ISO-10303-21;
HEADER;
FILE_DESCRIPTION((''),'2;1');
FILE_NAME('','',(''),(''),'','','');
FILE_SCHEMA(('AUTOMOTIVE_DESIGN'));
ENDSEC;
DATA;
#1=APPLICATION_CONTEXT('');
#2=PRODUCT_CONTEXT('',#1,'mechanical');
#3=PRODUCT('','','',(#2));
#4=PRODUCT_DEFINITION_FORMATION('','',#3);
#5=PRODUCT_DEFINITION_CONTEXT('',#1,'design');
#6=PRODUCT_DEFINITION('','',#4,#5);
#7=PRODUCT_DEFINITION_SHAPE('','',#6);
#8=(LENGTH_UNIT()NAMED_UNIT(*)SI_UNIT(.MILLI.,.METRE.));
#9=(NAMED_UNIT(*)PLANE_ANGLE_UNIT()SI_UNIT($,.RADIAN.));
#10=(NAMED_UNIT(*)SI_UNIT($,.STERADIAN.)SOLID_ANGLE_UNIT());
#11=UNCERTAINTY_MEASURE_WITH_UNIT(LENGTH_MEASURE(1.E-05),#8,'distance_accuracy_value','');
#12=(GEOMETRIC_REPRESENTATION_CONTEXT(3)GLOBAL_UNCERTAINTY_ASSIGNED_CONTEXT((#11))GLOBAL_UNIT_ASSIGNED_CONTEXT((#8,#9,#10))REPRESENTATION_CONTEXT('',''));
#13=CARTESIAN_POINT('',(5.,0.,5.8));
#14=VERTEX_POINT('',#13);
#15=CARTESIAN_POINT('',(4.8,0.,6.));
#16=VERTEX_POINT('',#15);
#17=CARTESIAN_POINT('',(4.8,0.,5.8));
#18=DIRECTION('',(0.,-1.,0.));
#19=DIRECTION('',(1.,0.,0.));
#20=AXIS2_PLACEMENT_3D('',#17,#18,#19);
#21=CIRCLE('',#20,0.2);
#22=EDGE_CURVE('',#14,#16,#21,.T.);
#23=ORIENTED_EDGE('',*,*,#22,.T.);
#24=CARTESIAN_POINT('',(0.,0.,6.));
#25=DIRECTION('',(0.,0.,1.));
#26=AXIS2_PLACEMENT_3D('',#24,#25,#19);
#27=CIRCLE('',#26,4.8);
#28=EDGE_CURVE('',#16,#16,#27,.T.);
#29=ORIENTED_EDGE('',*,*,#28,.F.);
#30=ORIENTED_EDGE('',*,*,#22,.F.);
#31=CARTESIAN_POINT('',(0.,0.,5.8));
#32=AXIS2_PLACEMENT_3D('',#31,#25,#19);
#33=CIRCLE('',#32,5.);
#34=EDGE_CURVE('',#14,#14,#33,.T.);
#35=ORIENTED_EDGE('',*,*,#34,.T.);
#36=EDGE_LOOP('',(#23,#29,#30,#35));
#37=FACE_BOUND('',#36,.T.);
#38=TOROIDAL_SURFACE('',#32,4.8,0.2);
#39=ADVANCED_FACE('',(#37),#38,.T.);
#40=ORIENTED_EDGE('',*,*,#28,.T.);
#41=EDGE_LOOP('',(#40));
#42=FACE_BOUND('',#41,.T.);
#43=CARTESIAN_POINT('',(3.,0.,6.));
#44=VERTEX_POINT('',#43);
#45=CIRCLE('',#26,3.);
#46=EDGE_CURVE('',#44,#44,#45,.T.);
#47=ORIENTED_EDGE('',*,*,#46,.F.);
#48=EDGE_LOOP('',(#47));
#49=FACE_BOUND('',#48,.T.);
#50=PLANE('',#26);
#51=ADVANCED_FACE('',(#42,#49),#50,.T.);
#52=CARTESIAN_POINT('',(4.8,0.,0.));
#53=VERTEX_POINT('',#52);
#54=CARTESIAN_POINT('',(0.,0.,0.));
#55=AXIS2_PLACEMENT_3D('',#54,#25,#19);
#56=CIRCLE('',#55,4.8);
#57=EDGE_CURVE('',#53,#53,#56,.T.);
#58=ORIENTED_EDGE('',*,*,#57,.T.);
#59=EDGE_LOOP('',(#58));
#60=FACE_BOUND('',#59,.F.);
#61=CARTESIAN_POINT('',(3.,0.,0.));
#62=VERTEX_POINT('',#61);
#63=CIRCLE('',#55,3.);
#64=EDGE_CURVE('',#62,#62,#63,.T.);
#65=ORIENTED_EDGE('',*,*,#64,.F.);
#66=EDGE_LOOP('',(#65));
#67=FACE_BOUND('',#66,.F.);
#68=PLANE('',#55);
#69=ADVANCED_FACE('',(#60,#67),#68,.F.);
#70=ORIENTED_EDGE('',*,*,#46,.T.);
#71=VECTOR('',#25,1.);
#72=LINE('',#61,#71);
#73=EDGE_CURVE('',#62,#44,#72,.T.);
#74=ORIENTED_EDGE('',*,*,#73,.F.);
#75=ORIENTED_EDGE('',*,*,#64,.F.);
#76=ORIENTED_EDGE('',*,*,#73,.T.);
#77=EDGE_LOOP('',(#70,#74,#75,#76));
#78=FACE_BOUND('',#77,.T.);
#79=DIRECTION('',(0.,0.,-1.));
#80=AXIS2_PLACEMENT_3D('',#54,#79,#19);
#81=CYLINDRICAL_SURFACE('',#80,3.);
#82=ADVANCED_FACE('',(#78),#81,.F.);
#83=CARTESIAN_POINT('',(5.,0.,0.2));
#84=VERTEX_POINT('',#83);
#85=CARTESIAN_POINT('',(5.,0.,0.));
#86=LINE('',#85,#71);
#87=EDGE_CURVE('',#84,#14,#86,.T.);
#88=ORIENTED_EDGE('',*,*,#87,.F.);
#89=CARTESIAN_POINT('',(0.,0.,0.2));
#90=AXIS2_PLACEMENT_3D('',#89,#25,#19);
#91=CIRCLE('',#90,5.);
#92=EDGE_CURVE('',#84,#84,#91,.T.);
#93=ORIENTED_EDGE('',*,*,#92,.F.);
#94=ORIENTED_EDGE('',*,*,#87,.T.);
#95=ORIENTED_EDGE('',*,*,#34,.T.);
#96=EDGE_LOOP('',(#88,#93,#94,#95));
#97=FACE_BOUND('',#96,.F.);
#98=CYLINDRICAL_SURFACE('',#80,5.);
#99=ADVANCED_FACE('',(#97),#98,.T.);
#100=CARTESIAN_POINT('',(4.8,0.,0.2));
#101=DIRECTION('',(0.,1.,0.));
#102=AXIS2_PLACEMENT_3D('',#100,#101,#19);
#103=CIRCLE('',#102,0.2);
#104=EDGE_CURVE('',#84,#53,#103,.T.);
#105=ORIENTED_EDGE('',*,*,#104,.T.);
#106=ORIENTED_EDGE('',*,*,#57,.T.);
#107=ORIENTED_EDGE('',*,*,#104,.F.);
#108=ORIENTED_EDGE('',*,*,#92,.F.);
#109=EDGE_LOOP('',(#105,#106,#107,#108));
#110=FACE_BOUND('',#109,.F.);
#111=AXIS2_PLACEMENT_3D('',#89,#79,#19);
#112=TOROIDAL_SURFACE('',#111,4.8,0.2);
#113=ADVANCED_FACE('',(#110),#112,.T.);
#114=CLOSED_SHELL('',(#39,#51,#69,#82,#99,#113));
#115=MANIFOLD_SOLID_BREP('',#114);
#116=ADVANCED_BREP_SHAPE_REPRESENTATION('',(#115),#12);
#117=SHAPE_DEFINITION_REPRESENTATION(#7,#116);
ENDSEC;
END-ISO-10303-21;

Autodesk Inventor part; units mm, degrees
ref_plane "YZ Plane" through (0, 0, 0) normal (1, 0, 0) x (0, 1, 0)
ref_plane "XZ Plane" through (0, 0, 0) normal (0, 1, 0) x (-1, 0, 0)
ref_plane "XY Plane" through (0, 0, 0) normal (0, 0, 1) x (1, 0, 0)
sketch "スケッチ1" plane through (0, 0, 0) normal (0, 0, 1) x (1, 0, 0)
  circle A0 centre (0, 0) radius 5
  circle A1 centre (0, 0) radius 3
  dimension "d0" = 10
  dimension "d1" = 6
extrude "押し出し1" add sketch "スケッチ1" along normal blind 6
fillet "フィレット1" radius 0.2 2 edges at (-5, 0, 0) (-5, 0, 6)
properties part number "スペーサー中空M6L6アルミ" material "アルミニウム 2014-T4"
